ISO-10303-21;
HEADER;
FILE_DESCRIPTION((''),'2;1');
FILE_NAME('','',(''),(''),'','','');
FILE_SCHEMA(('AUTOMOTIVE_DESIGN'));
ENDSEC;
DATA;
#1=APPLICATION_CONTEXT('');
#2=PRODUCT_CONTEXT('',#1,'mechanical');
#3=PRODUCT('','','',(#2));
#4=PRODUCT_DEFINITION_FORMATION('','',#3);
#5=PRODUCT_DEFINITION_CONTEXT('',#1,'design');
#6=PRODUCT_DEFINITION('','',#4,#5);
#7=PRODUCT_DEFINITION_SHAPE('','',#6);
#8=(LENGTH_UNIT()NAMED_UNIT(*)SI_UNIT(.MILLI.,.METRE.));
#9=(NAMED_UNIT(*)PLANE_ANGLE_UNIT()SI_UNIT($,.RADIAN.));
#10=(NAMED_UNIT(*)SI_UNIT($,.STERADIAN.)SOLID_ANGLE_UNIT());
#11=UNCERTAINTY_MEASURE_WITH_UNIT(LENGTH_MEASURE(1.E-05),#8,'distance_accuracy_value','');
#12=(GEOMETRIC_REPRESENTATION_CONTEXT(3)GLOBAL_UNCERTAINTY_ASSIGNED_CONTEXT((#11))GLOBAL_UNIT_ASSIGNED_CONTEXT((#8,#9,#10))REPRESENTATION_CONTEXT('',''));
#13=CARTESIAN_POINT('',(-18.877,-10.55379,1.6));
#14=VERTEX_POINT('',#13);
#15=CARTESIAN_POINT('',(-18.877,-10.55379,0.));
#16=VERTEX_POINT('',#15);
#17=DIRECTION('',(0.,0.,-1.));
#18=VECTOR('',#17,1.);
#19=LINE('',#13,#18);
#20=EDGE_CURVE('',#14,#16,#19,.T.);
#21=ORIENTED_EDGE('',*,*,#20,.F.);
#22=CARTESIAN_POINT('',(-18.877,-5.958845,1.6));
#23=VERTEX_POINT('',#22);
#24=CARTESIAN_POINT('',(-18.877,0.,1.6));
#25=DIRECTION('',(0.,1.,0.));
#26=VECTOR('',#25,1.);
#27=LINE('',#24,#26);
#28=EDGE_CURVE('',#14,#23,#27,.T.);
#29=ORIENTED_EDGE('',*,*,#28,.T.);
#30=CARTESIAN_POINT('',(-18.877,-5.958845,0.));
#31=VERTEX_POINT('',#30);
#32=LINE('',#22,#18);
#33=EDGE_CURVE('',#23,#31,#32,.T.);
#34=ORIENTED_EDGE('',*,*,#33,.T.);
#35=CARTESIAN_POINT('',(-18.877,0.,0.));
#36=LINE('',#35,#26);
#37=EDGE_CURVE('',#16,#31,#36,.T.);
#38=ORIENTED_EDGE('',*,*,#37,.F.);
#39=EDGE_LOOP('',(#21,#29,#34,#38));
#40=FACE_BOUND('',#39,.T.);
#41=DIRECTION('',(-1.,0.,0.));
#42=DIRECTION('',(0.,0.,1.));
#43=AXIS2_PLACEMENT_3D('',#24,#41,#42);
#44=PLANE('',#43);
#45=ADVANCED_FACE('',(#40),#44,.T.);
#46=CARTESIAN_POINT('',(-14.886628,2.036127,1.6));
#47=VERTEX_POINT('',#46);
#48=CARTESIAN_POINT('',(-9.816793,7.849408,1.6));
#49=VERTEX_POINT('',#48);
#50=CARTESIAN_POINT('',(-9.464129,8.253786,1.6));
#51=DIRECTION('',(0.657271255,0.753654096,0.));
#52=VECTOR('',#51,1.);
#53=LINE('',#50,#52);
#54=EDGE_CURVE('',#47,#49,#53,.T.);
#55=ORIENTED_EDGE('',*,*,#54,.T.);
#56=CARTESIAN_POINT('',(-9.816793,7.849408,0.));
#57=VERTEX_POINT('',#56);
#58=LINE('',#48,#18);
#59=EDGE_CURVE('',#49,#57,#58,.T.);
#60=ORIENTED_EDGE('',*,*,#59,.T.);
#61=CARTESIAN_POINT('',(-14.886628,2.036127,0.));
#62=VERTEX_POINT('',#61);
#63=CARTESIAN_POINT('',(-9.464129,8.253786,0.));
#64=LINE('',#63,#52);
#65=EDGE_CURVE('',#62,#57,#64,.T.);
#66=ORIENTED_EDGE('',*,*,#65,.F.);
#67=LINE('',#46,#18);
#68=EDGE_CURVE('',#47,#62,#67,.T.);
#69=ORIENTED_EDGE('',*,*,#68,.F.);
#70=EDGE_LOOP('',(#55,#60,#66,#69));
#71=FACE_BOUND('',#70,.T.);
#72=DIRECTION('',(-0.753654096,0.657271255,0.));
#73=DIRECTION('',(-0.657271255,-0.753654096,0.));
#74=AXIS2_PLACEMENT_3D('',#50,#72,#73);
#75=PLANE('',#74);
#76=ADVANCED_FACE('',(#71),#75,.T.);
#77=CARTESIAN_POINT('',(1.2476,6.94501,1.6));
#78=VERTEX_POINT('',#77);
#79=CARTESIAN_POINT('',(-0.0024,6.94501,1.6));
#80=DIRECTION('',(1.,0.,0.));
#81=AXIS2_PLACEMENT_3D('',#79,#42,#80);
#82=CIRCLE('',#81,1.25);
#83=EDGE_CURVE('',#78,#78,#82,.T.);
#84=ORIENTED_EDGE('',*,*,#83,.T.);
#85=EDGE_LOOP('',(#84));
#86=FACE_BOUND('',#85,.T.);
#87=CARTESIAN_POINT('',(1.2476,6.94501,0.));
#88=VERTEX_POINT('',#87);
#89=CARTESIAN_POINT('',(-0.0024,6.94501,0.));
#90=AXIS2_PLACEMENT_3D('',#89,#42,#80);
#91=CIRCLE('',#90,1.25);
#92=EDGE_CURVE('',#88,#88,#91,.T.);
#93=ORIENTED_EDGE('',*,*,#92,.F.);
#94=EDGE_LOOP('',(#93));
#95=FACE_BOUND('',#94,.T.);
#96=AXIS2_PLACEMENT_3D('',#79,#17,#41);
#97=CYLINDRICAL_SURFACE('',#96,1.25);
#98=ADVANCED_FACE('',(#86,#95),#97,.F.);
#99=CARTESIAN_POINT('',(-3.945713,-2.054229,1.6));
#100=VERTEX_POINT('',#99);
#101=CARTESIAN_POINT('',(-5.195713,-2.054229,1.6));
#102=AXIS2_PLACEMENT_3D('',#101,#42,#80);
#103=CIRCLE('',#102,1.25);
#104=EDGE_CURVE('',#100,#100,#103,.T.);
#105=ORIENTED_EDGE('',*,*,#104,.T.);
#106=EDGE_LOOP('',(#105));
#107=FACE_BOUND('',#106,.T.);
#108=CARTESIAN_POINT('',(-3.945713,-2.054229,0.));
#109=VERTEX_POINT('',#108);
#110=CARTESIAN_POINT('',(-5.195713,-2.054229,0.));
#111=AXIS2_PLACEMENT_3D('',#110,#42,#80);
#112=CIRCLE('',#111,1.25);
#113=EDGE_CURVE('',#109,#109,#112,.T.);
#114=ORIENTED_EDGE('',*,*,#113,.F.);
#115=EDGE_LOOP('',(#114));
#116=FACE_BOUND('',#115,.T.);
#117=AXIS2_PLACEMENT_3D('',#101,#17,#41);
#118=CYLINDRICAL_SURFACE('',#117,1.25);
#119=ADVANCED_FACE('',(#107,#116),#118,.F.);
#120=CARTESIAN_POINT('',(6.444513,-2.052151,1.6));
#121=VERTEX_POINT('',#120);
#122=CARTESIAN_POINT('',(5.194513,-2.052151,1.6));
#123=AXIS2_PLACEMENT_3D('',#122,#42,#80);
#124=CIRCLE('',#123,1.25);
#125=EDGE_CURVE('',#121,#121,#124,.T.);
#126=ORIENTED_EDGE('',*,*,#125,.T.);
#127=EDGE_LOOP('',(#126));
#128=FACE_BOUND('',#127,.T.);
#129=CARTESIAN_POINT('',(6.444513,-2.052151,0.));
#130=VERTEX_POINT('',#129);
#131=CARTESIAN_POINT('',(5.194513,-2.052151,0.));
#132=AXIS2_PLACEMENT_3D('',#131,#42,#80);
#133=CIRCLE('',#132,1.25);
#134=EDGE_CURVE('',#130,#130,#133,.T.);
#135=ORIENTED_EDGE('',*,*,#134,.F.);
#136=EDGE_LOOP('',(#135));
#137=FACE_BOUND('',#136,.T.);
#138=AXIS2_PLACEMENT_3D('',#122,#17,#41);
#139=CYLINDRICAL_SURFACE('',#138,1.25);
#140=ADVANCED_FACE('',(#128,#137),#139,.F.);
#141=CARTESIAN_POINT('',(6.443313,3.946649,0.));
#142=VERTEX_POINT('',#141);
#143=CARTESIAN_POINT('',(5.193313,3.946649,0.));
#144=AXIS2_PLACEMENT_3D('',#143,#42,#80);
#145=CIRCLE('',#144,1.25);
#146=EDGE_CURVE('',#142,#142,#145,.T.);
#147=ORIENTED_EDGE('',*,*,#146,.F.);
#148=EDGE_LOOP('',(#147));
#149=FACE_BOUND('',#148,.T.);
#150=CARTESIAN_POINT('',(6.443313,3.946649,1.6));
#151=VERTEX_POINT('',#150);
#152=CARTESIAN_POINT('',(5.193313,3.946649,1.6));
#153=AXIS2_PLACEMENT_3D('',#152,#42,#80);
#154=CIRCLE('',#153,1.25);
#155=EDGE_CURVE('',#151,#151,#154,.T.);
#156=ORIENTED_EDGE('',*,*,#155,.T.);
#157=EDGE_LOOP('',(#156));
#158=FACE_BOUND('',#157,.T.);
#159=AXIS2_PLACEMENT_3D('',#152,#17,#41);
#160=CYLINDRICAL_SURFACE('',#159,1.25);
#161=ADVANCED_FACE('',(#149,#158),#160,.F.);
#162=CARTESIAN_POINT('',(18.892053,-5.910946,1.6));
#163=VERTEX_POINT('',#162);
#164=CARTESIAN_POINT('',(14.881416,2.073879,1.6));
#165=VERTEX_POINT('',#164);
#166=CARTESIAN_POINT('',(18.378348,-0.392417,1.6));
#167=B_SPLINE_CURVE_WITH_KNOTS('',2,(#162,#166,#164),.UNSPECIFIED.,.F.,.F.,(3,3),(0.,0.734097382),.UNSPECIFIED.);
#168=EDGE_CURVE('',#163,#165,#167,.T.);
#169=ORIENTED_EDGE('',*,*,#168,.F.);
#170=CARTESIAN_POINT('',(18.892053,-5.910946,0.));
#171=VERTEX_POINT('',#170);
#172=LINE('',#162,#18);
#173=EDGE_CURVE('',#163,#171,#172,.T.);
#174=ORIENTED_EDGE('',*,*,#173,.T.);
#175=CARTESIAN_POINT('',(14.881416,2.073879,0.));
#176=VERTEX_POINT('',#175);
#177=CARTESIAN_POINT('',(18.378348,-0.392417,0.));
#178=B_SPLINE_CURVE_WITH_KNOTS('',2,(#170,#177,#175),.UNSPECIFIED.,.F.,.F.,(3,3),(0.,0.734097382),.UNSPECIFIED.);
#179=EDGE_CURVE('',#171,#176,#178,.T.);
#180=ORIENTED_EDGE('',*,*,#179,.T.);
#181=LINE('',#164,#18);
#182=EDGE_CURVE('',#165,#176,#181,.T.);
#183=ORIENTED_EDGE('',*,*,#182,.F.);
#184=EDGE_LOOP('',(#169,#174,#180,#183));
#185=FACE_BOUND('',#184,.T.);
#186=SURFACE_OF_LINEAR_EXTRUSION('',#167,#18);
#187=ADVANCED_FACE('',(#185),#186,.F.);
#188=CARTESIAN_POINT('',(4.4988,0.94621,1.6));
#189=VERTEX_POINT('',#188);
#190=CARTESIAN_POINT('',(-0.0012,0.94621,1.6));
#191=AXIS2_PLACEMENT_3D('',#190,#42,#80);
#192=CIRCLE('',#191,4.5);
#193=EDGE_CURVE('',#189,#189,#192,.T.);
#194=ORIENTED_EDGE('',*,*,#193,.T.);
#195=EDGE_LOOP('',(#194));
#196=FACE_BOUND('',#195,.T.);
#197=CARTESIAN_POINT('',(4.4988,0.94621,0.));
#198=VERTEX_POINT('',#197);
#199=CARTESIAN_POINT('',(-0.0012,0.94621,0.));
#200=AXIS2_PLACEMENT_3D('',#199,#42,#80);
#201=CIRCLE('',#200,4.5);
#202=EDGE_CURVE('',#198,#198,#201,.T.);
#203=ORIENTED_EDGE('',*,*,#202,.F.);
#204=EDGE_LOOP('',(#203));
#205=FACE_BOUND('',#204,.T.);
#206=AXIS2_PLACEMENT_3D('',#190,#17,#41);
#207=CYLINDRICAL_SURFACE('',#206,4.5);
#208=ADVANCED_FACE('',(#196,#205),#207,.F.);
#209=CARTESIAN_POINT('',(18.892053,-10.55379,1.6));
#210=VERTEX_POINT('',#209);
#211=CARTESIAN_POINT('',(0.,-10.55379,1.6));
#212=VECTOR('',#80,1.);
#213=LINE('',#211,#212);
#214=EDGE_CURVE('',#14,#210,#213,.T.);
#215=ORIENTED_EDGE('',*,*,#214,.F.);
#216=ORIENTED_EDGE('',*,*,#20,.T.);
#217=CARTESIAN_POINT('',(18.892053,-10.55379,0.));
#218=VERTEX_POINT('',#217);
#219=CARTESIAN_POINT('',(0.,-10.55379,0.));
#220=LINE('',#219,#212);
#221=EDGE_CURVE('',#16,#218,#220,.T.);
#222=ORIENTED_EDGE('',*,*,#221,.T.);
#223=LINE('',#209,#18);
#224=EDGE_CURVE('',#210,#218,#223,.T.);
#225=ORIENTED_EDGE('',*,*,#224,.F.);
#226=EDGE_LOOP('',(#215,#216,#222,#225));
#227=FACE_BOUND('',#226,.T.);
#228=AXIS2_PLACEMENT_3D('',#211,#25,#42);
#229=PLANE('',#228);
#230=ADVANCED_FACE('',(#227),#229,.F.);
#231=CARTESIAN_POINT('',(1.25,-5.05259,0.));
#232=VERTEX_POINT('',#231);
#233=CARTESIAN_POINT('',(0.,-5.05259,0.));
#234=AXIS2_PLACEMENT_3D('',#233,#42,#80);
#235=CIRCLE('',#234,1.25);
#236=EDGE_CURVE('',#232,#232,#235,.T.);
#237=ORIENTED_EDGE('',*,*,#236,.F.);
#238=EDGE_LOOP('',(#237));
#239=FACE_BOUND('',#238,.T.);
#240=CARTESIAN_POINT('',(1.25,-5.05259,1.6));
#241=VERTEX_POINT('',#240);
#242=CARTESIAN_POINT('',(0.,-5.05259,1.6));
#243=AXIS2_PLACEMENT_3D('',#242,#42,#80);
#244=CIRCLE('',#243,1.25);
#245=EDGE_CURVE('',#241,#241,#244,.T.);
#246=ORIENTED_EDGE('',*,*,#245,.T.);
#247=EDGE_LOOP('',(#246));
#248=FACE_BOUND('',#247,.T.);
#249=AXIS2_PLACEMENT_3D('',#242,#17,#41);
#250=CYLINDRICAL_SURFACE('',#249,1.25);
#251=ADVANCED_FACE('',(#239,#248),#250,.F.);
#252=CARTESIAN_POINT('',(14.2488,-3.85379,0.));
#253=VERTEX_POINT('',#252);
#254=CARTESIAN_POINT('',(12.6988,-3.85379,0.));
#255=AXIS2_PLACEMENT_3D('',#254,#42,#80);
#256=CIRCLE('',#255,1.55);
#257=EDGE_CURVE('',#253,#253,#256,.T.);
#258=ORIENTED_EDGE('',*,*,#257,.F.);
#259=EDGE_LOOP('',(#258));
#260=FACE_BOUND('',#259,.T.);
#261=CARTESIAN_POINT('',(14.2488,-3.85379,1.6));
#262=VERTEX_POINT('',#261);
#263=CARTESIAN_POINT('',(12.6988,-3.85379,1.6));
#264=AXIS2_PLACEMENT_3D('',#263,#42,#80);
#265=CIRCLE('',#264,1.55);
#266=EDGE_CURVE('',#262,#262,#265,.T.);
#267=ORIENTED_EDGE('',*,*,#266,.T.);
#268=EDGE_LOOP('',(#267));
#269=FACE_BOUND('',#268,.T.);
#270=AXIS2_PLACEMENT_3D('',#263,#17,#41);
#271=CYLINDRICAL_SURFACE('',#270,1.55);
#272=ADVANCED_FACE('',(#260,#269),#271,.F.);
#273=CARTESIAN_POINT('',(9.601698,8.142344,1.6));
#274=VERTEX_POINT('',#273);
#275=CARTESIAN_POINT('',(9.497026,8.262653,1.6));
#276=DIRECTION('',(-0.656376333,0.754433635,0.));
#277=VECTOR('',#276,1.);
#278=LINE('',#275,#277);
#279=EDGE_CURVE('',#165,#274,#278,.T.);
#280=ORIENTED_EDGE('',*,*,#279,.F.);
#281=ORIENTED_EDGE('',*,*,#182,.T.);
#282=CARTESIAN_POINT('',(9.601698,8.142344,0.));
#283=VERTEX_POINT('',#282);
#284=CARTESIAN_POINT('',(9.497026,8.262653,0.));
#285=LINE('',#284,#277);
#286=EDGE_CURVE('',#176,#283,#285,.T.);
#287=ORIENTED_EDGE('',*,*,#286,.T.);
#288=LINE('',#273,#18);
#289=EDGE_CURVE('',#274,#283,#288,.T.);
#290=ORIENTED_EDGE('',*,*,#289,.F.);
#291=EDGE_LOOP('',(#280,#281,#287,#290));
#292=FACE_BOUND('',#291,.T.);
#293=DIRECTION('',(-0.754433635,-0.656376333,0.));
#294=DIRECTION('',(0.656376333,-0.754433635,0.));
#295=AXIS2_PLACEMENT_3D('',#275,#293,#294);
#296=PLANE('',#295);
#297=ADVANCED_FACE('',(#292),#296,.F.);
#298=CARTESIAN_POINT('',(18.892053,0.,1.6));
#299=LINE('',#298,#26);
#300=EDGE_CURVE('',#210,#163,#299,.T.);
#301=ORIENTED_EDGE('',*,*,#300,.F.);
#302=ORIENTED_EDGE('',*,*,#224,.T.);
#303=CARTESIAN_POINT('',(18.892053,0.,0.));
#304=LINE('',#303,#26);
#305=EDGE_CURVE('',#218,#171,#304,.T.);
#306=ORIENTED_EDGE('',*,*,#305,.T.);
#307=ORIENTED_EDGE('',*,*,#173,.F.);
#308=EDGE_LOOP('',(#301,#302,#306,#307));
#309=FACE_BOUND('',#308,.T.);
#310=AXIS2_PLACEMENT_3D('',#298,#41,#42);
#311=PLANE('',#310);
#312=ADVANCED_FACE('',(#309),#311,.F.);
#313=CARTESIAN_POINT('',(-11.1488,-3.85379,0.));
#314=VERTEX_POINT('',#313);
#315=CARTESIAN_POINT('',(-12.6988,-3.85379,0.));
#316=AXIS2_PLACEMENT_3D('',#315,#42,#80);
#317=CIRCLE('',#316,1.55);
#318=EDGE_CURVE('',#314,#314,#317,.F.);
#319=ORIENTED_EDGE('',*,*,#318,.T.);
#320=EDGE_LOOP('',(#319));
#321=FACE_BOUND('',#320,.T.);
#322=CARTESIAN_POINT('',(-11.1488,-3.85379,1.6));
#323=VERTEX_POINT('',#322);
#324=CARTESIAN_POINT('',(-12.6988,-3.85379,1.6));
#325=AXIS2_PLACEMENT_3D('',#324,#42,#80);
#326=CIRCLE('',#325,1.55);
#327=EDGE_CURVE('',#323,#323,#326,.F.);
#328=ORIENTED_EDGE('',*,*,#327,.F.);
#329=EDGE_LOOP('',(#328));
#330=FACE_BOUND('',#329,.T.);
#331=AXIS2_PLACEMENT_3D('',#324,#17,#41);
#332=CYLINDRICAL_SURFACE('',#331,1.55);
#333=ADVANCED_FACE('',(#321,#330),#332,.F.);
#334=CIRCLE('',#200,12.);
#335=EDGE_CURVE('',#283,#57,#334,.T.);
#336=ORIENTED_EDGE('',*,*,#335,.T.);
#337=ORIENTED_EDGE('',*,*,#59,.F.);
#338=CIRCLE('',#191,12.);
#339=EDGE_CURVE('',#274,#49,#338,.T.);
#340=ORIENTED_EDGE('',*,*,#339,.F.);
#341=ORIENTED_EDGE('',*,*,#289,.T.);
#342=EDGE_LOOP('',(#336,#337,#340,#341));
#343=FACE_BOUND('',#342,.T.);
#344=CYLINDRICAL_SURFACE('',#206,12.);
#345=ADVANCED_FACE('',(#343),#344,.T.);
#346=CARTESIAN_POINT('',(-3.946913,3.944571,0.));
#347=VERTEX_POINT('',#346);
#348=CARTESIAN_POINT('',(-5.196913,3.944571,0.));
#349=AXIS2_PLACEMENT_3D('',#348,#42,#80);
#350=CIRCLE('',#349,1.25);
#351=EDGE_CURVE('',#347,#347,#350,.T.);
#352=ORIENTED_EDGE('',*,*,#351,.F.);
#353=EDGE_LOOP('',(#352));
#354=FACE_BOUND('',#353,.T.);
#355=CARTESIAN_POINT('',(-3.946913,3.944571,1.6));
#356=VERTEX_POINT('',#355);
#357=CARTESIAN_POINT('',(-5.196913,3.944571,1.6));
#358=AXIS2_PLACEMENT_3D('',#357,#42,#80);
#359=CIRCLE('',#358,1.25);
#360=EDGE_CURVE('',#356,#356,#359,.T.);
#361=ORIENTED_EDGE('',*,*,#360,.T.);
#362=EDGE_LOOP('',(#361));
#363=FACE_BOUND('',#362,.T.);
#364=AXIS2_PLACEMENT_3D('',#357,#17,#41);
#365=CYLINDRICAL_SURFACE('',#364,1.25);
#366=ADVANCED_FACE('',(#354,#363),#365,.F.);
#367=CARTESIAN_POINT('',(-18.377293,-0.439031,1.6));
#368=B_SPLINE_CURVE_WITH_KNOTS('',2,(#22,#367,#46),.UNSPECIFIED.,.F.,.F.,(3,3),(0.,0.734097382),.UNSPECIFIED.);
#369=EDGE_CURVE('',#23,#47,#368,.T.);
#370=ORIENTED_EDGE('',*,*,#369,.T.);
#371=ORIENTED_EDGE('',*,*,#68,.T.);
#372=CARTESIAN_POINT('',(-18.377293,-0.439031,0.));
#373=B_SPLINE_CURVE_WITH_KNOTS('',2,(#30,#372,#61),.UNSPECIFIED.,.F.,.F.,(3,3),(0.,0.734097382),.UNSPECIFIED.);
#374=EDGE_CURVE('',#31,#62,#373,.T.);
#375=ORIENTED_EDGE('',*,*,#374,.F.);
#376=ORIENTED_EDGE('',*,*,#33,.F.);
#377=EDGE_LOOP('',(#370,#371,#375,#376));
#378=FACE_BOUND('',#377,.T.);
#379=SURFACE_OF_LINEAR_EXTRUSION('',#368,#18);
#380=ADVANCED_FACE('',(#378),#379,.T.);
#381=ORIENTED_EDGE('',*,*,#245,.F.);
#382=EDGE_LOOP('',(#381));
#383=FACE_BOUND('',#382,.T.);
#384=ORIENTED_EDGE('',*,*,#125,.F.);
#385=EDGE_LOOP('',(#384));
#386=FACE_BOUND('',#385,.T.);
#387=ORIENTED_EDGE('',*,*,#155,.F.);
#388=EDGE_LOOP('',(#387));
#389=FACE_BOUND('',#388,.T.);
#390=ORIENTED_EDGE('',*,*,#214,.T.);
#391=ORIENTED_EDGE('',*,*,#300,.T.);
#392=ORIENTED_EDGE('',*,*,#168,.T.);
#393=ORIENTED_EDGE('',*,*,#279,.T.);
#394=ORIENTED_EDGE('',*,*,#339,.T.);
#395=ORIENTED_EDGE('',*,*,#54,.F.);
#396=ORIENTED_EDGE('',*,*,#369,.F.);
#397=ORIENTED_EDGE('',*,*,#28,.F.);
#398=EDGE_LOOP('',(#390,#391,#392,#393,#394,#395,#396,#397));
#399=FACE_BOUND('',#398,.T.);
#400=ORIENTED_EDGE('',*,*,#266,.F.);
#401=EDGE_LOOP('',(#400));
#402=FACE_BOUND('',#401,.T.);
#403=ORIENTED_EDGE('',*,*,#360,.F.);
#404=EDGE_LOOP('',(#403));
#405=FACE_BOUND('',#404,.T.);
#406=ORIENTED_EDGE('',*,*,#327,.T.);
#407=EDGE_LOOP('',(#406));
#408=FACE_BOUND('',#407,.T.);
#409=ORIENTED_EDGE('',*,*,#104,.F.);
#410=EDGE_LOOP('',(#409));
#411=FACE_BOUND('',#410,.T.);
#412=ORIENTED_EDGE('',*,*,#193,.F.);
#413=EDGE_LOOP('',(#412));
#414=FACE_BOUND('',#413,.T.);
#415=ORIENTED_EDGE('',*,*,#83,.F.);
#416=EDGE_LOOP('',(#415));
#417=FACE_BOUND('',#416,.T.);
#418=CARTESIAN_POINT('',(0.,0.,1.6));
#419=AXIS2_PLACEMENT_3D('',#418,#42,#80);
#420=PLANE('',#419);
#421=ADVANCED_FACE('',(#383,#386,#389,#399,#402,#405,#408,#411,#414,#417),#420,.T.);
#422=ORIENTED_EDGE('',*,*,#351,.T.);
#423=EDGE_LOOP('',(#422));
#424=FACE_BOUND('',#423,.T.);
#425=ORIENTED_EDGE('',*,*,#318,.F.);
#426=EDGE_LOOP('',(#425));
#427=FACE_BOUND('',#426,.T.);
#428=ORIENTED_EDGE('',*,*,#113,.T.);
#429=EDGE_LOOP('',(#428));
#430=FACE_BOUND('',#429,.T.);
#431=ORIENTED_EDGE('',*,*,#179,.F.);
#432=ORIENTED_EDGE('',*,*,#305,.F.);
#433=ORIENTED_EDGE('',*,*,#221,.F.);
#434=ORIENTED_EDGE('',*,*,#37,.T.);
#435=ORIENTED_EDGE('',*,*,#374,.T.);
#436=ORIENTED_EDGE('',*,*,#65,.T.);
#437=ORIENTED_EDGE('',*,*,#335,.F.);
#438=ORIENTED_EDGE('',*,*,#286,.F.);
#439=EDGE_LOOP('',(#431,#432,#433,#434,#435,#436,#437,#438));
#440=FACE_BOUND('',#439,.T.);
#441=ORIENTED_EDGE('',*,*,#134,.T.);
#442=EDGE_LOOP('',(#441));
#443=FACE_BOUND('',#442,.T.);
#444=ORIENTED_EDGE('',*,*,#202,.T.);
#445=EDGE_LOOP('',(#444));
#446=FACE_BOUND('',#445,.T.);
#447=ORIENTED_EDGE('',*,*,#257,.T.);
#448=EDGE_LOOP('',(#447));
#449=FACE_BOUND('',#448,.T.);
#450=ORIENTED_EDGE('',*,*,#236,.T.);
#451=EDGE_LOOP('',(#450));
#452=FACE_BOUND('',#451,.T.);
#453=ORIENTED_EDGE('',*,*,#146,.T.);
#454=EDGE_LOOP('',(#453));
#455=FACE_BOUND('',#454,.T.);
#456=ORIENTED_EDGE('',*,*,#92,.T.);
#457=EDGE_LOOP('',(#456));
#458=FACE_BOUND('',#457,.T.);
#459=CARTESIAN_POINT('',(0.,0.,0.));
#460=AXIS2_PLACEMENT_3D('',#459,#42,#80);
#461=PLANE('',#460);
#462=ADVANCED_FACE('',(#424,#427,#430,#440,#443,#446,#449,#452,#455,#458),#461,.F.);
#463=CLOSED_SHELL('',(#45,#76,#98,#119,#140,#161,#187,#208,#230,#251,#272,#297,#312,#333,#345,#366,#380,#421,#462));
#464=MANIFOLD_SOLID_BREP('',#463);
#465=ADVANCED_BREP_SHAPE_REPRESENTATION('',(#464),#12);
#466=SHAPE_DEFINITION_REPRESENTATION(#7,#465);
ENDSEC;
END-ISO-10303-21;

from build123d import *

# Parameters (mm, degrees)
CROQUIS1_R              = 4.5
CROQUIS1_R_2            = 1.249999997
CROQUIS1_R_3            = 1.25
CROQUIS1_R_4            = 1.250000007
CROQUIS1_R_5            = 1.55
SALIENTE_EXTRUIR1_DEPTH = 1.6


with BuildPart() as part:
    # Croquis1 → Saliente-Extruir1 (new body)
    with BuildSketch(Plane.XY):
        with BuildLine():
            Line((-18.876999997, -10.553790007), (18.892053472, -10.553790007))
            Line((18.892053472, -10.553790007), (18.892053472, -5.910945686))
            add(Edge.make_bspline(
                [(18.892053472, -5.910945686), (18.378347588, -0.392416566), (14.881416045, 2.073879198)],
                knots=[0, 0, 0, 0.734097382, 0.734097382, 0.734097382], degree=2))
            Line((14.881416045, 2.073879198), (9.601527182, 8.142540641))
            ThreePointArc((9.601527182, 8.142540641), (-0.182204471, 12.944844806), (-9.816792732, 7.849407753))
            Line((-9.816792732, 7.849407753), (-14.886628426, 2.036126845))
            add(Edge.make_bspline(
                [(-18.876999997, -5.958845057), (-18.377293132, -0.43903071), (-14.886628426, 2.036126845)],
                knots=[0, 0, 0, 0.734097382, 0.734097382, 0.734097382], degree=2))
            Line((-18.876999997, -5.958845057), (-18.876999997, -10.553790007))
        make_face()
        with Locations((-0.0012, 0.946209993)):
            Circle(CROQUIS1_R, mode=Mode.SUBTRACT)
        with Locations((-0.0024, 6.945010003)):
            Circle(CROQUIS1_R_2, mode=Mode.SUBTRACT)
        with Locations((5.193313192, 3.946649223)):
            Circle(CROQUIS1_R_3, mode=Mode.SUBTRACT)
        with Locations((5.194513192, -2.052150777)):
            Circle(CROQUIS1_R_3, mode=Mode.SUBTRACT)
        with Locations((0, -5.052590007)):
            Circle(CROQUIS1_R_3, mode=Mode.SUBTRACT)
        with Locations((-5.195713192, -2.054229238)):
            Circle(CROQUIS1_R_3, mode=Mode.SUBTRACT)
        with Locations((-5.196913248, 3.944570795)):
            Circle(CROQUIS1_R_4, mode=Mode.SUBTRACT)
        with Locations((12.6988, -3.853790007)):
            Circle(CROQUIS1_R_5, mode=Mode.SUBTRACT)
        with Locations((-12.6988, -3.853790007)):
            Circle(CROQUIS1_R_5, mode=Mode.SUBTRACT)
    extrude(amount=SALIENTE_EXTRUIR1_DEPTH)


solid = part.part
